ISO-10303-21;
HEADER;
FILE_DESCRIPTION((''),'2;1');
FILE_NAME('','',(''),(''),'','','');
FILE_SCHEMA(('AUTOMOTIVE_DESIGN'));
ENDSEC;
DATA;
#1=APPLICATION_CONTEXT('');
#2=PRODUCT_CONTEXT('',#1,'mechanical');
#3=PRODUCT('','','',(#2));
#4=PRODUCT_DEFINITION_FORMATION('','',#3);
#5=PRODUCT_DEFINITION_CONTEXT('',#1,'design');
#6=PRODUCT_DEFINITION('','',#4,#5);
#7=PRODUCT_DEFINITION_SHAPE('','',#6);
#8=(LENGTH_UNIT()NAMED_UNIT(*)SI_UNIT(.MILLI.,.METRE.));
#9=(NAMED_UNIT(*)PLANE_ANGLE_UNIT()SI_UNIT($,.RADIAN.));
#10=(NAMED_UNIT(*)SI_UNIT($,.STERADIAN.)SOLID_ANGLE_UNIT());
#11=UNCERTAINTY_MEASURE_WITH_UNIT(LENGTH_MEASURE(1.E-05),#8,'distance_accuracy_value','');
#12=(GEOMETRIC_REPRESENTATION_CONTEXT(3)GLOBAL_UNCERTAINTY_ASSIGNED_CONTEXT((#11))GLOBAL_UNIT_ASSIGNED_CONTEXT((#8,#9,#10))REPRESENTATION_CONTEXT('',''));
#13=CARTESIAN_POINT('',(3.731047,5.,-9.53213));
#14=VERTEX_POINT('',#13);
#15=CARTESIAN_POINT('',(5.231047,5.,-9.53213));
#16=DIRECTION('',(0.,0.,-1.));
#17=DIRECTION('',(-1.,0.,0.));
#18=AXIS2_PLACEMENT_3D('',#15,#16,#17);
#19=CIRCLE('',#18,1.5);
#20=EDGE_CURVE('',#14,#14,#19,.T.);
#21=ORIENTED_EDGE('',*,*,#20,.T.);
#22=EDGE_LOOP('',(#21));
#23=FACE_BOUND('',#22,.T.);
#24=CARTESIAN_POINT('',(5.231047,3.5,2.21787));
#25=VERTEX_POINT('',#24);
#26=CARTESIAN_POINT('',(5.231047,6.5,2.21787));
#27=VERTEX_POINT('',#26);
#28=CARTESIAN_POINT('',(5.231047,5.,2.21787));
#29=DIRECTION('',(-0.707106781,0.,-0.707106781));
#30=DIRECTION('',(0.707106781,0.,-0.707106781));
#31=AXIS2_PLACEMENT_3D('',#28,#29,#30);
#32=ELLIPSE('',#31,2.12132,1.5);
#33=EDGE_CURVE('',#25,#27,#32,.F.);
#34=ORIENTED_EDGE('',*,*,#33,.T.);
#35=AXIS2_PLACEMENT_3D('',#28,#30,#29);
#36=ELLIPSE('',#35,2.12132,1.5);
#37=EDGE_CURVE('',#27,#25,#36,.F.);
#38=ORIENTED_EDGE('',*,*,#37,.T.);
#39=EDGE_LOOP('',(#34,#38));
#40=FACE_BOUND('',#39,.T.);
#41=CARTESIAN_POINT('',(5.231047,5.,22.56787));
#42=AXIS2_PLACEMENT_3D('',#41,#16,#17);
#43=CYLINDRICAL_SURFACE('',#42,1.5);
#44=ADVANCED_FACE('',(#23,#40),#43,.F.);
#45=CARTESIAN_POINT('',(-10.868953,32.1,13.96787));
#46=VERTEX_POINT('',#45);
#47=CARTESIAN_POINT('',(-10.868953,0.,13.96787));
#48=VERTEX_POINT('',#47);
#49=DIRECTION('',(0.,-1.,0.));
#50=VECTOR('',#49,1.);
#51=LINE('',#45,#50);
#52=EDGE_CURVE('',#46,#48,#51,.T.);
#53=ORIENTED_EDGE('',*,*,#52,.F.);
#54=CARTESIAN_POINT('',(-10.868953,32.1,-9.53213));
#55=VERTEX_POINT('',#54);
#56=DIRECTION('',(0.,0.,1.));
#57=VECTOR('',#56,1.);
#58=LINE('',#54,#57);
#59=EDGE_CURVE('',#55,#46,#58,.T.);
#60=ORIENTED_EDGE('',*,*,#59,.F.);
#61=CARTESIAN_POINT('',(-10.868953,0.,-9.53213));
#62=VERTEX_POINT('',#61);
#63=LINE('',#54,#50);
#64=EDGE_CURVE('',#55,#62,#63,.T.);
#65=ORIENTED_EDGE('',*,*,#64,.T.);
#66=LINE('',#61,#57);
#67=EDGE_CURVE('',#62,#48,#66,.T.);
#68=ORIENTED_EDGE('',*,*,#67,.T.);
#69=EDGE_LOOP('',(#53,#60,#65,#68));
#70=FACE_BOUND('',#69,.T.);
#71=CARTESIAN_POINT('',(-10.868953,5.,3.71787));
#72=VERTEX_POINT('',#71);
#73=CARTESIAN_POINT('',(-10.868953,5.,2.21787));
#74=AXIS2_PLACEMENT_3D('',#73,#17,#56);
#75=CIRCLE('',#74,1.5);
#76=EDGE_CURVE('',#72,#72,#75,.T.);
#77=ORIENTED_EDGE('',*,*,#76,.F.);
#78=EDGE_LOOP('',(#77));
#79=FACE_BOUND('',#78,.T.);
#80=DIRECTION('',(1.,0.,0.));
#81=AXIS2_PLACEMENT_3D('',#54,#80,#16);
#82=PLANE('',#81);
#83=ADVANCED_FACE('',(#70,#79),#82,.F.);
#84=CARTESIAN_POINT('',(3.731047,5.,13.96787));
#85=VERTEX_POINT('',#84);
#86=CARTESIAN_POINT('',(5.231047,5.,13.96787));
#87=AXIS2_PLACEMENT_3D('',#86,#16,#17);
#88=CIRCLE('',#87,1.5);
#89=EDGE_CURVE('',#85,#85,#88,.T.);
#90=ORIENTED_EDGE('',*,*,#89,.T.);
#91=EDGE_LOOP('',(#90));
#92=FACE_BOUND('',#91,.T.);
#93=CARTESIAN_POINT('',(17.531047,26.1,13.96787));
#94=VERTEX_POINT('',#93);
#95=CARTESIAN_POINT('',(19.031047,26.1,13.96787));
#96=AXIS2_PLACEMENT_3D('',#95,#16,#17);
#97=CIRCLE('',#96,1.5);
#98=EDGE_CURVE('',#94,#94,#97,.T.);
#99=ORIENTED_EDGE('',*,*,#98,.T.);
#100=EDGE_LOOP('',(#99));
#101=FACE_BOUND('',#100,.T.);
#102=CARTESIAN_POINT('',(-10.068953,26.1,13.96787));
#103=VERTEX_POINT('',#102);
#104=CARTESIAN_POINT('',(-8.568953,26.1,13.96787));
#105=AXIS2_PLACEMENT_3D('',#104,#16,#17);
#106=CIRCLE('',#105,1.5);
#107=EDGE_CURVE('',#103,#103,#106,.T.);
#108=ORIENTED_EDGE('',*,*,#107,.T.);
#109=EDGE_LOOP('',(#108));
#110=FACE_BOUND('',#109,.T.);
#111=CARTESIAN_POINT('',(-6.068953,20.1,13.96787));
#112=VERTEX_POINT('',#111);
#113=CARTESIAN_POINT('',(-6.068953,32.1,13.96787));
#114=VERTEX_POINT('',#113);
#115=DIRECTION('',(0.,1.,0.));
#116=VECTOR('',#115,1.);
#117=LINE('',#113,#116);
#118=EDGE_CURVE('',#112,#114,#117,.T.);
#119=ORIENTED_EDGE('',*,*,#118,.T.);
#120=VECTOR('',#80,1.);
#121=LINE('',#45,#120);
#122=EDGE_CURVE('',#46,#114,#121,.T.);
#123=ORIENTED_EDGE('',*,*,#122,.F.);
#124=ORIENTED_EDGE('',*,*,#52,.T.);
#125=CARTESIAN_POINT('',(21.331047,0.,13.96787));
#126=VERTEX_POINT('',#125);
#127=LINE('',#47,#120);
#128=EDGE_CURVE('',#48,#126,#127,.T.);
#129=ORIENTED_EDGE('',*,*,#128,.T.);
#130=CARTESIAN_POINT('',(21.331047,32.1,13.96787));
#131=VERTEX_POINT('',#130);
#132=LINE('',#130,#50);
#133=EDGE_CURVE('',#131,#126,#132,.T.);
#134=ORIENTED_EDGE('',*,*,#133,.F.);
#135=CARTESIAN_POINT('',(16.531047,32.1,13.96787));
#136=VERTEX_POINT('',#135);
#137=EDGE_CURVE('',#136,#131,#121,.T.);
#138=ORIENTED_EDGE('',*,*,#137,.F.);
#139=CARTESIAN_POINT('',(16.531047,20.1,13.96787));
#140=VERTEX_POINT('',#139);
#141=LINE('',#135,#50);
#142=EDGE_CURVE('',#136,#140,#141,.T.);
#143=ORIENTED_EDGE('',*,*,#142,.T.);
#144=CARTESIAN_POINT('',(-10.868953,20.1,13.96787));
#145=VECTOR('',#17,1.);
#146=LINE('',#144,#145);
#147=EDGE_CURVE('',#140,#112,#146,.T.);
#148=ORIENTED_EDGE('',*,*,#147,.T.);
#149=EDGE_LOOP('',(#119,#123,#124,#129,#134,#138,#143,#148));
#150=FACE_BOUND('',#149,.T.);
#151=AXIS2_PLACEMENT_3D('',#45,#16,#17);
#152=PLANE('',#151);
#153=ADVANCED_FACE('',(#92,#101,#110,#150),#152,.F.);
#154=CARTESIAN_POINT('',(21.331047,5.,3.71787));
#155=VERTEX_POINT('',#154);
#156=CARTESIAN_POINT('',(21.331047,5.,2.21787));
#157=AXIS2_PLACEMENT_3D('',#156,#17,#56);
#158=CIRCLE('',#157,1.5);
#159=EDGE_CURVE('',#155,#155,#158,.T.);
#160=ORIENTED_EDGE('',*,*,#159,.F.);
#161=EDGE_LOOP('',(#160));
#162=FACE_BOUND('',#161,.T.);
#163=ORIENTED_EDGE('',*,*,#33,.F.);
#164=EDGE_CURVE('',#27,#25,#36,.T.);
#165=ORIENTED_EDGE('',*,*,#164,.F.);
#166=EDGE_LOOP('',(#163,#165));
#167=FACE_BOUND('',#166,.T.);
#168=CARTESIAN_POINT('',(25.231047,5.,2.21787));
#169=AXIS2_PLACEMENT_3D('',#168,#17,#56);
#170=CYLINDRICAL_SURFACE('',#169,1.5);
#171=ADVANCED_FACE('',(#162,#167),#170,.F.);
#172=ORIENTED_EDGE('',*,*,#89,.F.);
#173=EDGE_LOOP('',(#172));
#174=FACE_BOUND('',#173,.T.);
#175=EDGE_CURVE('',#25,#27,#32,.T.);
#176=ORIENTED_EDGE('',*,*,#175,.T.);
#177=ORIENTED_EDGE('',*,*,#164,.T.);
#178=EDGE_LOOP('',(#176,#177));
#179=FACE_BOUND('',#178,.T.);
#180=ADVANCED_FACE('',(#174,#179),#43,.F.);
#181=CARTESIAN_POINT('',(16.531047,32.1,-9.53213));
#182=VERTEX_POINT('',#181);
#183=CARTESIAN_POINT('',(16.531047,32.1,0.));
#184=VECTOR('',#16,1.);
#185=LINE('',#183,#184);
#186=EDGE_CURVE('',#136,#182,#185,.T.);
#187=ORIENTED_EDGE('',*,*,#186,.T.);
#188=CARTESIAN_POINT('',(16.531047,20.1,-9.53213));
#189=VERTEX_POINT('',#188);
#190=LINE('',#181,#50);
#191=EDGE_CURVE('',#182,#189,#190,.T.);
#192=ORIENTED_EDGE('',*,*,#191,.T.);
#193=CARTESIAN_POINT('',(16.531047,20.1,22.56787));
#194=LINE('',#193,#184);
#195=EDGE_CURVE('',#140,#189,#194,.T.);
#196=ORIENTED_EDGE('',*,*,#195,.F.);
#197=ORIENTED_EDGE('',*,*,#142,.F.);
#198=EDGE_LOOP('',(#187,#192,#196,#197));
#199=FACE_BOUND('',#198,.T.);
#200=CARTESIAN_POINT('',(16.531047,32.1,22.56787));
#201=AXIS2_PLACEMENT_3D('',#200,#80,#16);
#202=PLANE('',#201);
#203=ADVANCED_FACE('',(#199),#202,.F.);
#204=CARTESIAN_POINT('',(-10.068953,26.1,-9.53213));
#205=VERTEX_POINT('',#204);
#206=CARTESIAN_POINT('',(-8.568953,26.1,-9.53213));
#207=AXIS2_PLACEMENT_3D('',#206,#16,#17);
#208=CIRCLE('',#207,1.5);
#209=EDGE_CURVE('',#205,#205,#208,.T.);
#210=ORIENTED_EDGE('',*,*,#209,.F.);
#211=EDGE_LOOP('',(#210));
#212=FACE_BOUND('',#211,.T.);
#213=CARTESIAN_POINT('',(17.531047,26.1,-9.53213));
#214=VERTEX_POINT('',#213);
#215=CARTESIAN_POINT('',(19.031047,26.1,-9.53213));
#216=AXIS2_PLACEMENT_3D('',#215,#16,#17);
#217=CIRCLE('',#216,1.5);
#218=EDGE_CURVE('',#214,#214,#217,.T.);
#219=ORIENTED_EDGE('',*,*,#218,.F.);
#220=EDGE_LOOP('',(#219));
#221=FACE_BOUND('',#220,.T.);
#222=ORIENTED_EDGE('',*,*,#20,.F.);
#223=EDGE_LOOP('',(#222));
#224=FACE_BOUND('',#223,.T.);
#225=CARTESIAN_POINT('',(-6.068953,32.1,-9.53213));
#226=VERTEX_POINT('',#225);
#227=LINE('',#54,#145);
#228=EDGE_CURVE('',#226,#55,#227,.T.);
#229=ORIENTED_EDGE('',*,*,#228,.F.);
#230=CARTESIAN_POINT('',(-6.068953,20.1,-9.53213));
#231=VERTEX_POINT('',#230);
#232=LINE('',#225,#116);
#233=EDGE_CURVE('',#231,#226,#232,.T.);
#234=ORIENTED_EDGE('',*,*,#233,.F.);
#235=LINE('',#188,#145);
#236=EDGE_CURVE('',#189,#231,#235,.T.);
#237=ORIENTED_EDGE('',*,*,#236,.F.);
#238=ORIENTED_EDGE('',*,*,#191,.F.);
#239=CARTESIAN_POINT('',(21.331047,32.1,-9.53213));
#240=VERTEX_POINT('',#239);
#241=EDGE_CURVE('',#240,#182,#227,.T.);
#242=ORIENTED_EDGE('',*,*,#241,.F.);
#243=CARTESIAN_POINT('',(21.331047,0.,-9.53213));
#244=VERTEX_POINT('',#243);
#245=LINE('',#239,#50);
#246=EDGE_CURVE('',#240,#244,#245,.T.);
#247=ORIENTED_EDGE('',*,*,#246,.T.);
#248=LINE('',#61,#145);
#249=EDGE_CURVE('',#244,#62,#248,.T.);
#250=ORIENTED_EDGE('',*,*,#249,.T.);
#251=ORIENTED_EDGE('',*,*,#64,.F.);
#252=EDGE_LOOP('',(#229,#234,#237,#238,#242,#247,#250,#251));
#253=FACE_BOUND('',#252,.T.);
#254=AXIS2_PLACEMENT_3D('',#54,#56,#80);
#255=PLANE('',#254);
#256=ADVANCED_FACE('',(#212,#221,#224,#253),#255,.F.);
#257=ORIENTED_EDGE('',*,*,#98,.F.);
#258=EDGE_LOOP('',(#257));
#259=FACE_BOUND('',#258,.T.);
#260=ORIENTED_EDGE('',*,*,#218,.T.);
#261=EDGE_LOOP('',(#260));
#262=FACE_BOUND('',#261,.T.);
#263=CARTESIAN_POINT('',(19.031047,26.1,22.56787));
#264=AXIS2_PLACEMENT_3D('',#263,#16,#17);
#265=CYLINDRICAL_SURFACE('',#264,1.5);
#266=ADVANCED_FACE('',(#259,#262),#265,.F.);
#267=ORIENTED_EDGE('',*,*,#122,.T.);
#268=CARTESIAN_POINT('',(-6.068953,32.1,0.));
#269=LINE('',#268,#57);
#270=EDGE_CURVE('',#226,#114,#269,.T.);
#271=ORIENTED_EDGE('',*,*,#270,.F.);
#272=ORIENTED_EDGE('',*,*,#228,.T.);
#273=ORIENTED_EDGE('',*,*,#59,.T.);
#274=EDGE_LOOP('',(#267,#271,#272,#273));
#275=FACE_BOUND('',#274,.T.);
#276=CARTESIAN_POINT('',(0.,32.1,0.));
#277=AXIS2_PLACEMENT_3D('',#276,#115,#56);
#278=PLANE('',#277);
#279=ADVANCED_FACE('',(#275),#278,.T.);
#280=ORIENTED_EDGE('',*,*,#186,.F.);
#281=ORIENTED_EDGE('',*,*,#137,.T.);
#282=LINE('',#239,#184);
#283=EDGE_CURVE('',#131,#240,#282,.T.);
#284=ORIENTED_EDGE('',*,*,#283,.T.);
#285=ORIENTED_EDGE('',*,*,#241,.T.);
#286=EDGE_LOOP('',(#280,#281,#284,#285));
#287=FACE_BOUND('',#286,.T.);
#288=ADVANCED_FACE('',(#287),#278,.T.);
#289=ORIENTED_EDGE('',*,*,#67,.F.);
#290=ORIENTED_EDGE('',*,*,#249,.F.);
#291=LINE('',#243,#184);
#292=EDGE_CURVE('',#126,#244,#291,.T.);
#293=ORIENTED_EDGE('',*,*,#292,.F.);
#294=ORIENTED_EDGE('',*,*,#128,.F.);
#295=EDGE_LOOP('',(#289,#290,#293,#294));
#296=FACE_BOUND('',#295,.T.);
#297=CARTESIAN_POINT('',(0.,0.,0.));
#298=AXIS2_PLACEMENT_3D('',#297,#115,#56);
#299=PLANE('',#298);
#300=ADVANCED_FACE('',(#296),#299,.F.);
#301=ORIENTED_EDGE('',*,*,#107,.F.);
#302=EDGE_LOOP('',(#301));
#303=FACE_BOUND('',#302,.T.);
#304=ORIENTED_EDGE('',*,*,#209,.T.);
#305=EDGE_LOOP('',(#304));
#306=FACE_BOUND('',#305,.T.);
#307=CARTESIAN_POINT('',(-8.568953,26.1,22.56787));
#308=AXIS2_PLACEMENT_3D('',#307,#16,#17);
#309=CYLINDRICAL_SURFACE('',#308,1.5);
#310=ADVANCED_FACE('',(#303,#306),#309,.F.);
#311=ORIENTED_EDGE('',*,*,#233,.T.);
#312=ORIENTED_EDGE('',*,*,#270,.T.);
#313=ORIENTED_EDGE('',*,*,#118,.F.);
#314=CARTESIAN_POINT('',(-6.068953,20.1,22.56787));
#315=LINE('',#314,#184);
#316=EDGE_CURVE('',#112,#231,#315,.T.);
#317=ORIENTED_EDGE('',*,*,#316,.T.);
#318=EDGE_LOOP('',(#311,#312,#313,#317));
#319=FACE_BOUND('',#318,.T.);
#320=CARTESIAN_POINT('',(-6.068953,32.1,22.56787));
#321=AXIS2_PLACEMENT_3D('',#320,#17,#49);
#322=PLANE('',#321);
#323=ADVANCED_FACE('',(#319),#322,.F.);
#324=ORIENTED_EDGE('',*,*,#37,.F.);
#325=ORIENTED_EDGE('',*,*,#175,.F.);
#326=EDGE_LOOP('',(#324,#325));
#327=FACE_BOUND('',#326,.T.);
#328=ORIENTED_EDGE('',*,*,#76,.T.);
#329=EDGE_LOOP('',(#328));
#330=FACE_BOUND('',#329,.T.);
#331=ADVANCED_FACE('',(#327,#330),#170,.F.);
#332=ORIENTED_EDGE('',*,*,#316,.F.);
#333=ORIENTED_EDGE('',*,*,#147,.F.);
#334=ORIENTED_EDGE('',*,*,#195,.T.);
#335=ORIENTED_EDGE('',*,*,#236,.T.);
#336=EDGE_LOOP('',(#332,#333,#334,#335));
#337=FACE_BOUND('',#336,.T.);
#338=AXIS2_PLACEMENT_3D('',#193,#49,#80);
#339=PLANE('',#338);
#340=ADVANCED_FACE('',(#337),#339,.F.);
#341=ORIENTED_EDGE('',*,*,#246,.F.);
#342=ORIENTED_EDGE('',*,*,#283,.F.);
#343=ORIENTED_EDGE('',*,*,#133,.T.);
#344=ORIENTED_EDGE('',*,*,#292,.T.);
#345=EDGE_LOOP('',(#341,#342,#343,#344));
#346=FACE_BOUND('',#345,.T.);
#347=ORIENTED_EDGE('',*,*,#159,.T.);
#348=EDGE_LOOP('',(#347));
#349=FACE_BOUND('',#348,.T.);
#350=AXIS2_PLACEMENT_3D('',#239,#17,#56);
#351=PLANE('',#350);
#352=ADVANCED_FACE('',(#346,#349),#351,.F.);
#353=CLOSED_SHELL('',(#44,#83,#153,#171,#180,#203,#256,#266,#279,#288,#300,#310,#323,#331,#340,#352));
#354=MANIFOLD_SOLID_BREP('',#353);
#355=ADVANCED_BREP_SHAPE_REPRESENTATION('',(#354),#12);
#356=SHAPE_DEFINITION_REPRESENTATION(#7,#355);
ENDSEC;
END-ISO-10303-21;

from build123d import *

# Parameters (mm, degrees)
SKETCH1_W           = 32.2
SKETCH1_H           = 23.5
BOSS_EXTRUDE1_DEPTH = 32.1
SKETCH2_R           = 1.5
SKETCH2_W           = 22.6
SKETCH2_H           = 12
CUT_EXTRUDE1_DEPTH  = 32.1
SKETCH3_R           = 1.5
CUT_EXTRUDE2_DEPTH  = 36.1


with BuildPart() as part:
    # Sketch1 → Boss-Extrude1 (new body)
    with BuildSketch(Plane(origin=(0, 0, 0), x_dir=(1, 0, 0), z_dir=(0, 1, 0))):
        with Locations((5.231046931, -2.217870036)):
            Rectangle(SKETCH1_W, SKETCH1_H)
    extrude(amount=BOSS_EXTRUDE1_DEPTH)

    # Sketch2 → Cut-Extrude1 (cut)
    with BuildSketch(Plane(origin=(0, 0, -9.532129964), x_dir=(-1, 0, 0), z_dir=(0, 0, -1))):
        with Locations((8.568953069, 26.1)):
            Circle(SKETCH2_R)
        with Locations((-19.031046931, 26.1)):
            Circle(SKETCH2_R)
        with Locations((-5.231046931, 5)):
            Circle(SKETCH2_R)
        with Locations((-5.231046931, 26.1)):
            Rectangle(SKETCH2_W, SKETCH2_H)
    extrude(amount=-CUT_EXTRUDE1_DEPTH, mode=Mode.SUBTRACT)

    # Sketch3 → Cut-Extrude2 (cut)
    with BuildSketch(Plane.ZY.offset(10.868953069)):
        with Locations((2.217870036, 5)):
            Circle(SKETCH3_R)
    extrude(amount=-CUT_EXTRUDE2_DEPTH, mode=Mode.SUBTRACT)


solid = part.part
